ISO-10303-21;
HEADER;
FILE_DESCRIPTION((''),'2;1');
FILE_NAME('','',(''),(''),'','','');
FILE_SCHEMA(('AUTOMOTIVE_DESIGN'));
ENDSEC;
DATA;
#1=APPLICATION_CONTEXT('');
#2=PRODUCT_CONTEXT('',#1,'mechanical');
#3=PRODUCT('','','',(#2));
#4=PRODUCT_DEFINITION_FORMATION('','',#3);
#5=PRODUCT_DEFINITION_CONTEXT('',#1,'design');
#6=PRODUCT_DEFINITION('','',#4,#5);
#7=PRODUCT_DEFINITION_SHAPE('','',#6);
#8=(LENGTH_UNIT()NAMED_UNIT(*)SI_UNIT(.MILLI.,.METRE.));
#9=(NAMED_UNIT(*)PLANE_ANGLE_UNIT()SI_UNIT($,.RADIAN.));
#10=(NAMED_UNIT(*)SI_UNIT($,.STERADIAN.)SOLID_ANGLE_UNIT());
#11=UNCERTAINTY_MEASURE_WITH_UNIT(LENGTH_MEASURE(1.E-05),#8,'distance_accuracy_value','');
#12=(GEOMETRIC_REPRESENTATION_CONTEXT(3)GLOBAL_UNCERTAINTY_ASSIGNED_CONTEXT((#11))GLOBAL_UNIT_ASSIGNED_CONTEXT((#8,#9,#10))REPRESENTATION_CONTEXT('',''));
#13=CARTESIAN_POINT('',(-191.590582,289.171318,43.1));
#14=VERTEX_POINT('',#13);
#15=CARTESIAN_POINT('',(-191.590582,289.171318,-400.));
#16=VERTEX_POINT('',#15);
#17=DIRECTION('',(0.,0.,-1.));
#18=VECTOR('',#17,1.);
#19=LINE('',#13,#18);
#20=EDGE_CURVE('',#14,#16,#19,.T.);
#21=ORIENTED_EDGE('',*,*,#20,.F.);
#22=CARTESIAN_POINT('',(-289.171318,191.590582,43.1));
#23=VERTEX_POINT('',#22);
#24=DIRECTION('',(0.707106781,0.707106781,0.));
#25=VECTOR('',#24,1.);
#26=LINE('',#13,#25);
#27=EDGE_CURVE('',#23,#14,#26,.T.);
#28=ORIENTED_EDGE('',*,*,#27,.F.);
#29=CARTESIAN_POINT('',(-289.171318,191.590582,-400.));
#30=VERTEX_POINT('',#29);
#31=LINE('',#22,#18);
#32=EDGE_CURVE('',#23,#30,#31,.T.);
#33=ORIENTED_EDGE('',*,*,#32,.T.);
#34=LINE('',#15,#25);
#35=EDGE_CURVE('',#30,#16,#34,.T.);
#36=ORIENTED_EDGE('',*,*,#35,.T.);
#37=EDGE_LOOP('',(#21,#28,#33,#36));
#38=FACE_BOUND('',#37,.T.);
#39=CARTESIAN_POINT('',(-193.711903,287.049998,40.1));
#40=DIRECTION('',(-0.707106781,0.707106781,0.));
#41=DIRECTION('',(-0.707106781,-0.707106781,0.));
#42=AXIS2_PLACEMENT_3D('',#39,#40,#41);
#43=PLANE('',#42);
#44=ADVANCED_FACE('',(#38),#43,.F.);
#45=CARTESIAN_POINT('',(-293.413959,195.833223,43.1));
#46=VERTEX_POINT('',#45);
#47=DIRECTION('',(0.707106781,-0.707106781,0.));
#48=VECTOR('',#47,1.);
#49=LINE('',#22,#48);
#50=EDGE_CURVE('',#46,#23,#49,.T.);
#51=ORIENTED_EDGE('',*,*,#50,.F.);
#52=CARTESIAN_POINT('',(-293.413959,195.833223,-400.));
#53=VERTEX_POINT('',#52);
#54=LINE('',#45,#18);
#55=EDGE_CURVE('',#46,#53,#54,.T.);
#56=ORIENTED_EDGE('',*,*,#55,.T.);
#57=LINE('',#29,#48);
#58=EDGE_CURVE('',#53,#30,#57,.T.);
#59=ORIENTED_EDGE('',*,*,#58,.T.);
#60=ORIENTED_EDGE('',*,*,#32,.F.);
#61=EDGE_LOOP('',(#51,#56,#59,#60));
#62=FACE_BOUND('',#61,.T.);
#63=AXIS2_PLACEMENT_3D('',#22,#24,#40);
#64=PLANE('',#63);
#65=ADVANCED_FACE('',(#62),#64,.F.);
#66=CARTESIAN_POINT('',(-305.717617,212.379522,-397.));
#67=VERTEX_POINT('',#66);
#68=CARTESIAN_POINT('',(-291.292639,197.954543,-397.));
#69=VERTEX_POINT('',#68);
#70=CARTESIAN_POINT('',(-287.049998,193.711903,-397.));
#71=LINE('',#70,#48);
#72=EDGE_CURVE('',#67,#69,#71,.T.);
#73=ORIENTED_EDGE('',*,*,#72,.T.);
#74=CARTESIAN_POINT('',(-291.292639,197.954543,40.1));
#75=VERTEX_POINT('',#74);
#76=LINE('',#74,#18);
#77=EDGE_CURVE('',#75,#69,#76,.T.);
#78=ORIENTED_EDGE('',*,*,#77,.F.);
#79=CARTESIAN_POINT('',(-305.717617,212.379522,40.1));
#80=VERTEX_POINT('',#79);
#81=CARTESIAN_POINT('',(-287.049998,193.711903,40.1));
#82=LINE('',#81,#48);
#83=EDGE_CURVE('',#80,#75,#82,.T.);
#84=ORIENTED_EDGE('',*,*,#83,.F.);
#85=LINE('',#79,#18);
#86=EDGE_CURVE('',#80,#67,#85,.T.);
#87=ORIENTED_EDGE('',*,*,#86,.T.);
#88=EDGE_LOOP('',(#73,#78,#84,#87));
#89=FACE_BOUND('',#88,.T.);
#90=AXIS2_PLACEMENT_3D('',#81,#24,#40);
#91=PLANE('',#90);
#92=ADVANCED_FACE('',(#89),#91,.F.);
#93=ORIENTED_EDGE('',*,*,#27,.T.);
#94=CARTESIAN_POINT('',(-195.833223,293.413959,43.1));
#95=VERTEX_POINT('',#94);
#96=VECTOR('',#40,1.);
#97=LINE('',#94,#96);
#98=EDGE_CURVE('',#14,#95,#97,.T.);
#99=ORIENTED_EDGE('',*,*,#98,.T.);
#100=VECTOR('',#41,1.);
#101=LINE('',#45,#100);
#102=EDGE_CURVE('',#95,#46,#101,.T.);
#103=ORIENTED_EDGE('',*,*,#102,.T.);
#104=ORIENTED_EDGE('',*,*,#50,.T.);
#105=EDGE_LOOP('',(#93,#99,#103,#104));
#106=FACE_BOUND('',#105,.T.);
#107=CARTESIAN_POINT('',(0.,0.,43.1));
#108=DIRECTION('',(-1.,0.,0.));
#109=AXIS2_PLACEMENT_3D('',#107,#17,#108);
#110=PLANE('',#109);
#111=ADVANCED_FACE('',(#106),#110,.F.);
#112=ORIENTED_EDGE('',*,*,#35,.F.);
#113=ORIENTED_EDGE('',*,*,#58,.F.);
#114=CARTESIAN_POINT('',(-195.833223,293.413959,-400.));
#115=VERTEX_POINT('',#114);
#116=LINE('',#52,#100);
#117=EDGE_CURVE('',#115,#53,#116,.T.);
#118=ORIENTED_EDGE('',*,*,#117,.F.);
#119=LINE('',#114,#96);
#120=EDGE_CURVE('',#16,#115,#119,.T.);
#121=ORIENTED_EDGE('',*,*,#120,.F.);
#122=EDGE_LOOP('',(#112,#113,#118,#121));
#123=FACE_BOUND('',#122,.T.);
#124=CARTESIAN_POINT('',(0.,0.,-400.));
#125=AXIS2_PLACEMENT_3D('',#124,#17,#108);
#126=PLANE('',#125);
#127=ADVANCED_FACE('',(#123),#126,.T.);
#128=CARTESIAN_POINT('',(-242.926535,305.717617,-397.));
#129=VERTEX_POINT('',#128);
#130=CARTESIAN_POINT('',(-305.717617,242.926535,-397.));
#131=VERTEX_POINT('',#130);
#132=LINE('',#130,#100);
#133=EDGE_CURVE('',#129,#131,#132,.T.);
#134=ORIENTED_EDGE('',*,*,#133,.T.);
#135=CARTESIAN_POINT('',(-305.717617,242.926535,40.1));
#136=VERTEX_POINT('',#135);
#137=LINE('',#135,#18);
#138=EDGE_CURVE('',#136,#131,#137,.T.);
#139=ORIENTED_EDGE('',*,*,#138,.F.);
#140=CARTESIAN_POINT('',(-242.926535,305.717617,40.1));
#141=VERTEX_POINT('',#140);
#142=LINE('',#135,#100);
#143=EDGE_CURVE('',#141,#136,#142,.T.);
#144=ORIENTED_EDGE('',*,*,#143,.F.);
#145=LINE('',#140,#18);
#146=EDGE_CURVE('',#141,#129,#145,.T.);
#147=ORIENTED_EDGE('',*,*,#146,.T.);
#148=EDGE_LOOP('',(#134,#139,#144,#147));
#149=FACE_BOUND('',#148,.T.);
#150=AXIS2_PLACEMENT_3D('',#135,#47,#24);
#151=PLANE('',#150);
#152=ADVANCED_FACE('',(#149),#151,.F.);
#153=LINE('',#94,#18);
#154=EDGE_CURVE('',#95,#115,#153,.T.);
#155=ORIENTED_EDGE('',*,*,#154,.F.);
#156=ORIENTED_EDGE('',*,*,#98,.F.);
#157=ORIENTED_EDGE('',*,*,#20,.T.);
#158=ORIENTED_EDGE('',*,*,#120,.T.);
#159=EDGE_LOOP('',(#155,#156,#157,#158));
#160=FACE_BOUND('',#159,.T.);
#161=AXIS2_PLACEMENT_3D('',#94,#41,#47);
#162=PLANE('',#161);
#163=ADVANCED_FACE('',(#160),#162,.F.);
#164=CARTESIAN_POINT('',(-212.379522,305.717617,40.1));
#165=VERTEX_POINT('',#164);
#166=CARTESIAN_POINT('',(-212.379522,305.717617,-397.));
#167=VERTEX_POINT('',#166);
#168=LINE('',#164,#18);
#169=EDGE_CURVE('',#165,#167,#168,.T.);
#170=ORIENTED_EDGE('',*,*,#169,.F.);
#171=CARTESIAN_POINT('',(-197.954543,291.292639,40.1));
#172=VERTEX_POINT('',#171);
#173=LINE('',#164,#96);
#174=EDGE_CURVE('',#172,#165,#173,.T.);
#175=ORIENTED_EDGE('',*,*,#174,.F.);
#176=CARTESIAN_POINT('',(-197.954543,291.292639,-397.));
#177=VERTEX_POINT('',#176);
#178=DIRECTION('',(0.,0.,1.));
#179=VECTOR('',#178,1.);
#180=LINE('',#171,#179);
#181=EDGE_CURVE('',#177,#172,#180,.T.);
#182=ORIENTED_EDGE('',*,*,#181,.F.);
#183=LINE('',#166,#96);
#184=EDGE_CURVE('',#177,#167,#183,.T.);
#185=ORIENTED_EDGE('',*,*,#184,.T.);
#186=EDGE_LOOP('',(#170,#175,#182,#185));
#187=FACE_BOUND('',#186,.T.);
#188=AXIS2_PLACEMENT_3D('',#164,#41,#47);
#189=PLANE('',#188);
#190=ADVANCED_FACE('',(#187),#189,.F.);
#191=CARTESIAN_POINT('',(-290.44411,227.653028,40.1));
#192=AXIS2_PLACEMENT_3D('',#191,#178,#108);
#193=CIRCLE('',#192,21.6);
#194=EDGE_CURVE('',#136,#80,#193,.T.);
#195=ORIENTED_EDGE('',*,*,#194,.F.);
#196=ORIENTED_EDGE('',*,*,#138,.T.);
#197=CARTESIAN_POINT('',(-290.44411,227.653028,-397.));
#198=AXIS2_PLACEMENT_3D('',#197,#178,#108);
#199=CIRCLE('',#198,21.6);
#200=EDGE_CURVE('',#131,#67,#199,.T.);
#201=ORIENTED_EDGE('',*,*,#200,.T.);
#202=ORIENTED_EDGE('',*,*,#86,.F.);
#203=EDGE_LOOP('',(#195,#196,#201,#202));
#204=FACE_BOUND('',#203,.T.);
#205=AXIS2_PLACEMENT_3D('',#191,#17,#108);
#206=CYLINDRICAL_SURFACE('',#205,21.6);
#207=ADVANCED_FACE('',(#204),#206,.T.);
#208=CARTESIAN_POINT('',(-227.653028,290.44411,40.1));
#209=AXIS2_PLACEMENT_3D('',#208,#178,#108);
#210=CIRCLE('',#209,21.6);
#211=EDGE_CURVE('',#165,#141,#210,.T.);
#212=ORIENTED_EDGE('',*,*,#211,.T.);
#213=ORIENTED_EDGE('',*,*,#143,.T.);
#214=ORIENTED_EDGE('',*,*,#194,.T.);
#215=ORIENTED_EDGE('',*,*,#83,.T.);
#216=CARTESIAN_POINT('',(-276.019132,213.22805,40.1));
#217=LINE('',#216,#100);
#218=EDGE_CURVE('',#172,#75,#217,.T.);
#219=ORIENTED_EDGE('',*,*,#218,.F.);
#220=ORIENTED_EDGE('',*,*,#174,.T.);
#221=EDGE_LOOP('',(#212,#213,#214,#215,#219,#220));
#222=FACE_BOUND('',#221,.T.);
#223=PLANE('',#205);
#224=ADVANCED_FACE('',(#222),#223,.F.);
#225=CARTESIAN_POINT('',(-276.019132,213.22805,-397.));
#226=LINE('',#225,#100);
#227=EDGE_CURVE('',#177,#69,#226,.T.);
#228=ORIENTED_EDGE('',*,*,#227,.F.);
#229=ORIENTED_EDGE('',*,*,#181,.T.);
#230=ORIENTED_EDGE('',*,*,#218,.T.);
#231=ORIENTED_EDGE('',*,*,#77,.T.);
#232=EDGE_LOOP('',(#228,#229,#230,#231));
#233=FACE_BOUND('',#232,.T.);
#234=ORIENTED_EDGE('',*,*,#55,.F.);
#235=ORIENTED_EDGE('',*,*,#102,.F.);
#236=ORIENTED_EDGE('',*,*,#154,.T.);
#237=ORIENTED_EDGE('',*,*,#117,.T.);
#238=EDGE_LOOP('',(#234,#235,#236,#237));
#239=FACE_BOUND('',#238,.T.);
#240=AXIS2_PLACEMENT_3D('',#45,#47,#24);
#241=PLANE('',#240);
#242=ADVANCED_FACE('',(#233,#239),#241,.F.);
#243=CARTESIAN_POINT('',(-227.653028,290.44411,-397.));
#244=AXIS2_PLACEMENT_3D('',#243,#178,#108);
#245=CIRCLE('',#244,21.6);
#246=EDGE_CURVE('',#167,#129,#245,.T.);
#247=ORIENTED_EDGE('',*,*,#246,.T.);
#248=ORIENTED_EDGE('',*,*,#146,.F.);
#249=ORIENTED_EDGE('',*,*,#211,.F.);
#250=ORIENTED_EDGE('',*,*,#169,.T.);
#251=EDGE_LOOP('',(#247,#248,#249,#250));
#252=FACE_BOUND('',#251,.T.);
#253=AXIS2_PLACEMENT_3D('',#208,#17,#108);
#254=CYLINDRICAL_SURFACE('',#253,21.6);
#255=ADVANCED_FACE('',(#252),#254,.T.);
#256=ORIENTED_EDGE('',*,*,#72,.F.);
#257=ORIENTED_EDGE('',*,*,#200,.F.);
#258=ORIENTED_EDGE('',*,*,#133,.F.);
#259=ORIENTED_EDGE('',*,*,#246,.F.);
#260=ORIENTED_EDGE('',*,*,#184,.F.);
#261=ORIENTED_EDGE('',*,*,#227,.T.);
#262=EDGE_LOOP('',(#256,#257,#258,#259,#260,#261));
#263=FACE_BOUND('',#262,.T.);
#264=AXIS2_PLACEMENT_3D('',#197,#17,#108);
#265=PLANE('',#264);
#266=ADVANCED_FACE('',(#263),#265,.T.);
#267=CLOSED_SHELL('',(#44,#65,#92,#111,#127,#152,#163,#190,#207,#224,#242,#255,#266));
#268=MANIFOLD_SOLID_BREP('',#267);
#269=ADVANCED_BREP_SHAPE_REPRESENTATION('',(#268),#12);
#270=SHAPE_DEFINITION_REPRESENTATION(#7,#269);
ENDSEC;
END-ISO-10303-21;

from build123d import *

# Parameters (mm, degrees)
COVER_START       = -397
COVER_DEPTH       = 437.1
RAIL_START        = -400
RAIL_FLANGE_DEPTH = 443.1


with BuildPart() as part:
    # Sketch1 → Cover (new body)
    with BuildSketch(Plane.XY.offset(COVER_START)):
        with BuildLine():
            Line((-193.711902706, 287.049997823), (-287.049997823, 193.711902706))
            Line((-287.049997823, 193.711902706), (-305.717616846, 212.379521729))
            ThreePointArc((-305.717616846, 212.379521729), (-312.044110372, 227.653028203), (-305.717616846, 242.926534677))
            Line((-305.717616846, 242.926534677), (-242.926534677, 305.717616846))
            ThreePointArc((-242.926534677, 305.717616846), (-227.653028203, 312.044110372), (-212.379521729, 305.717616846))
            Line((-212.379521729, 305.717616846), (-193.711902706, 287.049997823))
        make_face()
    extrude(amount=COVER_DEPTH)

    # Sketch2 → Rail Flange (add)
    with BuildSketch(Plane.XY.offset(RAIL_START)):
        Polygon((-191.590582362, 289.171318166), (-289.171318166, 191.590582362), (-293.413958853, 195.83322305), (-195.83322305, 293.413958853), align=None)
    extrude(amount=RAIL_FLANGE_DEPTH)


solid = part.part
